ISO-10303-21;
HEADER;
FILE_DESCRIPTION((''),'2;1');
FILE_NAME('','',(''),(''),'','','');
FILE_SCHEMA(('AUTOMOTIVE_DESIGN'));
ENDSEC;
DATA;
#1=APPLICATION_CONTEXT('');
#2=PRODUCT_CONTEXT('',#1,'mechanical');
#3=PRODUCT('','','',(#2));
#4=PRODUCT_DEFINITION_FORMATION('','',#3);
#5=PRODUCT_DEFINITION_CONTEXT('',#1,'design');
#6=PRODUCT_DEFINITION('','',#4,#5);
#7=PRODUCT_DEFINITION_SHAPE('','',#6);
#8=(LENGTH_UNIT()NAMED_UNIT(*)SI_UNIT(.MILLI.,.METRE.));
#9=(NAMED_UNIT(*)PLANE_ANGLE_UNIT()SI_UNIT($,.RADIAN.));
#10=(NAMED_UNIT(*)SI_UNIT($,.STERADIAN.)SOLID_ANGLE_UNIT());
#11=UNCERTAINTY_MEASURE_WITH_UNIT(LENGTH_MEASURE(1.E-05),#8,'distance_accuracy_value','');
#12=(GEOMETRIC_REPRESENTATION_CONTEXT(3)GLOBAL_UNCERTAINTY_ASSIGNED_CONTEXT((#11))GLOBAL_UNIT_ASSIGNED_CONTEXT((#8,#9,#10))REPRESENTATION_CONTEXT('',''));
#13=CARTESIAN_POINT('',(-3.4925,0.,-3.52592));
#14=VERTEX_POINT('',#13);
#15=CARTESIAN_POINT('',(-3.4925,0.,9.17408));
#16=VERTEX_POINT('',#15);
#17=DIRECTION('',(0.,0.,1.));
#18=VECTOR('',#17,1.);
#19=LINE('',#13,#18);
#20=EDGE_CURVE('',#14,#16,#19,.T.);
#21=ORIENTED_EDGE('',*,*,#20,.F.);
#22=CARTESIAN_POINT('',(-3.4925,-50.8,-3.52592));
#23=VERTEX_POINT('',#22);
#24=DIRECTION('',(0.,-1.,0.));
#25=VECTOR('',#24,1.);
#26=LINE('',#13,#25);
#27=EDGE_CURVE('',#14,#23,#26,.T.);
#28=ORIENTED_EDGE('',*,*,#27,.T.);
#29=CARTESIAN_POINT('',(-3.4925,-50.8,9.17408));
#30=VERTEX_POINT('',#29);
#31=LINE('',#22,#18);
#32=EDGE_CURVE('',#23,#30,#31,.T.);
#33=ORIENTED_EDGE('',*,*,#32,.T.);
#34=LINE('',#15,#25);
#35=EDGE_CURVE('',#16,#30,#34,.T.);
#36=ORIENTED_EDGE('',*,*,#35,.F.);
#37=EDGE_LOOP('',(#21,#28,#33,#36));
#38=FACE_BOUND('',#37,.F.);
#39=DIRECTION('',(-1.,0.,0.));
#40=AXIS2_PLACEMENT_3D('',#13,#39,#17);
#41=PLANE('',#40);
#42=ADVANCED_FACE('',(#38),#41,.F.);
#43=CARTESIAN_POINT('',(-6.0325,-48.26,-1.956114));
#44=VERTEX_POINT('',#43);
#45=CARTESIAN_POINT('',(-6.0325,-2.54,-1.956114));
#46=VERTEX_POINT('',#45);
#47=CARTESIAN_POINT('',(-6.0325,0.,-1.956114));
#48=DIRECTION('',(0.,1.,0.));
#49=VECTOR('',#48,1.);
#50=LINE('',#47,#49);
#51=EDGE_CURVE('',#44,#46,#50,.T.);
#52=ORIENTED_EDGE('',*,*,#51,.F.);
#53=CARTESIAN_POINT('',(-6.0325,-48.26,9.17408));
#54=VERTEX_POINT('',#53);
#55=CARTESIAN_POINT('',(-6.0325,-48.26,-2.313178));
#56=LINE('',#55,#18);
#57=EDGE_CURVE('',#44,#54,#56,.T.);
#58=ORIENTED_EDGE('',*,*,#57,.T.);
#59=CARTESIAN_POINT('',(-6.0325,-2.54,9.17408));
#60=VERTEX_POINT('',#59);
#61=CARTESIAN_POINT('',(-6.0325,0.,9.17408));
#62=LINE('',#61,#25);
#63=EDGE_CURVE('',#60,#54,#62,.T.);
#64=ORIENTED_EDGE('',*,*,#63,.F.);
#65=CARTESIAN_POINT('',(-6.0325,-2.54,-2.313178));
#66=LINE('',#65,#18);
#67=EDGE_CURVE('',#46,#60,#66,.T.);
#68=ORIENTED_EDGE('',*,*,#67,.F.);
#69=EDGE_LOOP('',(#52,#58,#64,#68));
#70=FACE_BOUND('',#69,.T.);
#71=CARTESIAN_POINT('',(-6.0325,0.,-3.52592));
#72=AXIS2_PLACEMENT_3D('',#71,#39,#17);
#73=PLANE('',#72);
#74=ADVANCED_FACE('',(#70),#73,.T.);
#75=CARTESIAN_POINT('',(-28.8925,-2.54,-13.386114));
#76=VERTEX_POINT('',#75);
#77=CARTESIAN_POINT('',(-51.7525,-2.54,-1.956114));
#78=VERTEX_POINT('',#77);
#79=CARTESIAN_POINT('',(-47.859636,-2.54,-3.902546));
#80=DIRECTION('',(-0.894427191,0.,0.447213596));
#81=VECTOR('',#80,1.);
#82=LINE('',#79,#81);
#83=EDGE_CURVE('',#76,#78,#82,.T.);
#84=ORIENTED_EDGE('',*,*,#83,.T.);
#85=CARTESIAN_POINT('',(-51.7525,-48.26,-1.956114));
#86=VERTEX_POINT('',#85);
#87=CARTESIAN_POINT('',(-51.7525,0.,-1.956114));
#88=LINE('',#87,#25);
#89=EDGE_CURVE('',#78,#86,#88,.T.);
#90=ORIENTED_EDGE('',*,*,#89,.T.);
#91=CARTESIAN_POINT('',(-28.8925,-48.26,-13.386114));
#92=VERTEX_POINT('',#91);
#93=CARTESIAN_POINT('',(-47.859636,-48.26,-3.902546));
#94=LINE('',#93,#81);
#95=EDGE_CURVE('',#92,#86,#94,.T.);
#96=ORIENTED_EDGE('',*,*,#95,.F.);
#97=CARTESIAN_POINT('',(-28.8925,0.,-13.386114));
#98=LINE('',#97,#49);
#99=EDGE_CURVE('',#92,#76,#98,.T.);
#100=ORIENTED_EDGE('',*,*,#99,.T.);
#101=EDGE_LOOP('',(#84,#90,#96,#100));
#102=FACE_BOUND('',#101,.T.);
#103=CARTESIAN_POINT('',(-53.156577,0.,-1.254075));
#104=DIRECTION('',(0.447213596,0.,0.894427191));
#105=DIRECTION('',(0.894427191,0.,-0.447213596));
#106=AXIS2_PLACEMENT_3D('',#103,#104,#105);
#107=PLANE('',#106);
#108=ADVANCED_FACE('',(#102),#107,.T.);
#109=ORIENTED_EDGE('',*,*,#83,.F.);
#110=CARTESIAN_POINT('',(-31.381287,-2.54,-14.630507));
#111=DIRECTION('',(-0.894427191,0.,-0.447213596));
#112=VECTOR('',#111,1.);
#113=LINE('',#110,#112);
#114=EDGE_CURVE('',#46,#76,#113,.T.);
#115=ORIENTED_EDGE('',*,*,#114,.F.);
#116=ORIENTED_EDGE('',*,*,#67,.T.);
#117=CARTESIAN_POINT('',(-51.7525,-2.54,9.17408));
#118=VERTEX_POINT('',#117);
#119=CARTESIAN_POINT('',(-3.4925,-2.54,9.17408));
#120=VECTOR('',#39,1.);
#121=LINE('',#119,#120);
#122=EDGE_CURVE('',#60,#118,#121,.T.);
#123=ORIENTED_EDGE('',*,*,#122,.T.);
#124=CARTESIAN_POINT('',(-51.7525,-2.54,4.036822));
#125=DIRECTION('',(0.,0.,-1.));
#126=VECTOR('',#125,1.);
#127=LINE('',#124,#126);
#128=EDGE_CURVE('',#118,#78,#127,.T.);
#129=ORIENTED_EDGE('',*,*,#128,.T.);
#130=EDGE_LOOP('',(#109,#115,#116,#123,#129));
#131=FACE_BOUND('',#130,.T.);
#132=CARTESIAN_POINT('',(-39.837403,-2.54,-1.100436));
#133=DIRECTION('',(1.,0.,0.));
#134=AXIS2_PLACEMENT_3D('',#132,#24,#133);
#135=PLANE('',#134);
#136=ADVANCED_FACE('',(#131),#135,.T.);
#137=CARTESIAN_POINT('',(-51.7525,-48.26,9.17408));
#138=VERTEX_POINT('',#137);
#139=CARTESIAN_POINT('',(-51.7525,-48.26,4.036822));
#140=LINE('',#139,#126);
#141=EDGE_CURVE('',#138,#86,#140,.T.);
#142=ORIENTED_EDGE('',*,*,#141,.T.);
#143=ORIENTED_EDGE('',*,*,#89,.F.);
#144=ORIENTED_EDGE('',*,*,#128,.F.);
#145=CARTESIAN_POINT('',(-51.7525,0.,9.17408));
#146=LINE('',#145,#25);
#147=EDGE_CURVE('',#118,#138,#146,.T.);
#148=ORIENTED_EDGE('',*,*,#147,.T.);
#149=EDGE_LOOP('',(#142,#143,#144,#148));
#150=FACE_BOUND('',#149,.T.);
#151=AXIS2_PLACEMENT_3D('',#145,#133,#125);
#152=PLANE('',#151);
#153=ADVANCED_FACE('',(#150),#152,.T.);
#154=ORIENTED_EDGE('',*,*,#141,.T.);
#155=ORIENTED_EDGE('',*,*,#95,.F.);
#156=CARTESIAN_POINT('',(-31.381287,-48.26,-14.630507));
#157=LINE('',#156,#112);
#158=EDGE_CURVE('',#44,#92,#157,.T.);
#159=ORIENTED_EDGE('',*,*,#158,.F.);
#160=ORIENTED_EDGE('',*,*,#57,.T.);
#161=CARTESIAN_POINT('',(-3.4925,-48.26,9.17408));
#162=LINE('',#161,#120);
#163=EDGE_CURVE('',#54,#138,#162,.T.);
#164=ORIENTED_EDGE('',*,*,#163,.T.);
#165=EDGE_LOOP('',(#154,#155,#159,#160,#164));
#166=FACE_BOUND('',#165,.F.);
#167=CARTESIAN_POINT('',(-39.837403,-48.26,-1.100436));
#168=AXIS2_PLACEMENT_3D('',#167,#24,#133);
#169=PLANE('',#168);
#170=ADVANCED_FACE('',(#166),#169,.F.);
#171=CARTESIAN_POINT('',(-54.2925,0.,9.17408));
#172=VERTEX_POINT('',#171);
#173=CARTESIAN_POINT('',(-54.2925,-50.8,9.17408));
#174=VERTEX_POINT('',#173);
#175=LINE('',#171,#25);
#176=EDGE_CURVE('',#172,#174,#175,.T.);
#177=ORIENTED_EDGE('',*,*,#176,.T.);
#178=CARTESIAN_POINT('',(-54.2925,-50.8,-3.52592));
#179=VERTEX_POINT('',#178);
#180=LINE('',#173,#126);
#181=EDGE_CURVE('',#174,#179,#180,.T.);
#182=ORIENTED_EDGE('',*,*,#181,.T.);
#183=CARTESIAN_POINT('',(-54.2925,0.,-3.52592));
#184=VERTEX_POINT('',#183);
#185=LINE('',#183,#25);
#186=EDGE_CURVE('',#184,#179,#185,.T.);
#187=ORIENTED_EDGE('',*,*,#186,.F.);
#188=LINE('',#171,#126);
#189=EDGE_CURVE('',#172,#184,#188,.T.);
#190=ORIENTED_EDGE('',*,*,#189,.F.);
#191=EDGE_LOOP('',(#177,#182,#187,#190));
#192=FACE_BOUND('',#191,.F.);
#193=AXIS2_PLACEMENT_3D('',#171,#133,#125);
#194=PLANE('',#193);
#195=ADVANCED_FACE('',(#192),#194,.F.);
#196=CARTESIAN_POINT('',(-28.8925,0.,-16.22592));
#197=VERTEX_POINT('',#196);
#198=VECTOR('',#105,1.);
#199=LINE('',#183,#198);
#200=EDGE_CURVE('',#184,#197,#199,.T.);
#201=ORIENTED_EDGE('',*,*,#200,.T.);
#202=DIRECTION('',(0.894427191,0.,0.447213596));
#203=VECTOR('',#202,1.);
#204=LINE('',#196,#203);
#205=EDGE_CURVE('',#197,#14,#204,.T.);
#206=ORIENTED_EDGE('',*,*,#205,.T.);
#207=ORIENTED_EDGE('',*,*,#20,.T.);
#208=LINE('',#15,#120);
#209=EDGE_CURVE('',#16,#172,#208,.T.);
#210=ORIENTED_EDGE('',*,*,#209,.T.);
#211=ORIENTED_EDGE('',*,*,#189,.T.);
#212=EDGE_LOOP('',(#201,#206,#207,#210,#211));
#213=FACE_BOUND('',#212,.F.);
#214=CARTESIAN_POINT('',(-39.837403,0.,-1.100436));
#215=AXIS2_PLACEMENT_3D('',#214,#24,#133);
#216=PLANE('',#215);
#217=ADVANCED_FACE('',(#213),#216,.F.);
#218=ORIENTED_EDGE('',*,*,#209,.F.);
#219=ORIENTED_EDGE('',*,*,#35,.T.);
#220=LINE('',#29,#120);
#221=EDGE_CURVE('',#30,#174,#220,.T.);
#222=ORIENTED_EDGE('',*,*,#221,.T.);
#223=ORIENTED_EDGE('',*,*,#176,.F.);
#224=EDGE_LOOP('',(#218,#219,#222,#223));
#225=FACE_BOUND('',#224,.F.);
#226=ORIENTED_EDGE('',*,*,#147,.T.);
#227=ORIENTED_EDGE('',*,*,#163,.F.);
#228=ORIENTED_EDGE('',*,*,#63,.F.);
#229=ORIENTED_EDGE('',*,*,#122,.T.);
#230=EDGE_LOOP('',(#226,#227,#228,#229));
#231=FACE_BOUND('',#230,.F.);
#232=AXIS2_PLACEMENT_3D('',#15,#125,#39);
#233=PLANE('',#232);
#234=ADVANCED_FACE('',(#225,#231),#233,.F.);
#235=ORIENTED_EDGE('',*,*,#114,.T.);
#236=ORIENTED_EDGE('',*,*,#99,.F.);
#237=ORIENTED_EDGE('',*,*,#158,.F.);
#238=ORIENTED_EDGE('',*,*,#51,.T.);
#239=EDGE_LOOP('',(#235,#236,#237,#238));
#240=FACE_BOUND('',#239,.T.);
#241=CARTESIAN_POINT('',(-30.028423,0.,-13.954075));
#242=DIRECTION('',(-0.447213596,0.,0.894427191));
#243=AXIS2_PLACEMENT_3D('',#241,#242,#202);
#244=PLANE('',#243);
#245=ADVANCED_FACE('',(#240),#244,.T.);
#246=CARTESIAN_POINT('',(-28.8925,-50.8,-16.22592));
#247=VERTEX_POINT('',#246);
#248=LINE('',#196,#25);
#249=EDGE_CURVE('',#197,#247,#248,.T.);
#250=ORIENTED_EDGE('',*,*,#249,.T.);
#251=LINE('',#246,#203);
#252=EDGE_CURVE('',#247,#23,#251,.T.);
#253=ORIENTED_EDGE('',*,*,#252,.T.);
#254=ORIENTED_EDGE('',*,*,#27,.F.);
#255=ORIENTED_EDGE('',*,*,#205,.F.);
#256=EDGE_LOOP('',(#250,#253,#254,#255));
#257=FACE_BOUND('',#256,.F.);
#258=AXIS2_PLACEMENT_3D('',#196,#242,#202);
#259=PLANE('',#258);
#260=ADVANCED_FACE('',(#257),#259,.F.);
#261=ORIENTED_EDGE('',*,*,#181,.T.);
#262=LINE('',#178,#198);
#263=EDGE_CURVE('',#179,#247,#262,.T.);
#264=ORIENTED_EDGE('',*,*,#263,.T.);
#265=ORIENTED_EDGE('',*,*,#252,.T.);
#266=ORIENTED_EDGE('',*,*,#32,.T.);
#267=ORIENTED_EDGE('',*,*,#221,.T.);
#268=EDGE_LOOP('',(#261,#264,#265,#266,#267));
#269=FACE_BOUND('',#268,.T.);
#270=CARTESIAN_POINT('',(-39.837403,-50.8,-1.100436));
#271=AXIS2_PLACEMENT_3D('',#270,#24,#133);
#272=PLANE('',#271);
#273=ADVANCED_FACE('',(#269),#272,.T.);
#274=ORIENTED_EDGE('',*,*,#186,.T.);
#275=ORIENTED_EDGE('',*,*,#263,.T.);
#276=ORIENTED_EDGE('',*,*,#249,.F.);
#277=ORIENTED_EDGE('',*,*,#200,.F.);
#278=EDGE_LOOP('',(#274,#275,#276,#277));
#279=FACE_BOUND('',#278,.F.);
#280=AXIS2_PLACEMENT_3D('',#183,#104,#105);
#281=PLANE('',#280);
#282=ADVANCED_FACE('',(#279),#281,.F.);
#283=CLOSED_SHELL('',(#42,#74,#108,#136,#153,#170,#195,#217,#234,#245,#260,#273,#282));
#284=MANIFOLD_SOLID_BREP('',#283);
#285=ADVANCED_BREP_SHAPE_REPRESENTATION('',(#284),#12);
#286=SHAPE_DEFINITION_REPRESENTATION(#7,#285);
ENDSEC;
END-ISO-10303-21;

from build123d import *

# Parameters (mm, degrees)
F1_DEPTH = 50.8
F2_T     = -2.54


with BuildPart() as f1:
    # F0 (on Front) → F1 (new body)
    with BuildSketch(Plane.XZ):
        Polygon((-28.8925, 9.17408), (-54.2925, 9.17408), (-54.2925, -3.52592), (-28.8925, -16.22592), align=None)
        Polygon((-3.4925, 9.17408), (-28.8925, 9.17408), (-28.8925, -16.22592), (-3.4925, -3.52592), align=None)
    extrude(amount=F1_DEPTH)

    # F2
    f2_openings = [f1.faces().sort_by_distance(p)[0] for p in [
        (-28.8925, -25.4, 9.17408),
    ]]
    offset(amount=F2_T, openings=f2_openings)


solid = f1.part
